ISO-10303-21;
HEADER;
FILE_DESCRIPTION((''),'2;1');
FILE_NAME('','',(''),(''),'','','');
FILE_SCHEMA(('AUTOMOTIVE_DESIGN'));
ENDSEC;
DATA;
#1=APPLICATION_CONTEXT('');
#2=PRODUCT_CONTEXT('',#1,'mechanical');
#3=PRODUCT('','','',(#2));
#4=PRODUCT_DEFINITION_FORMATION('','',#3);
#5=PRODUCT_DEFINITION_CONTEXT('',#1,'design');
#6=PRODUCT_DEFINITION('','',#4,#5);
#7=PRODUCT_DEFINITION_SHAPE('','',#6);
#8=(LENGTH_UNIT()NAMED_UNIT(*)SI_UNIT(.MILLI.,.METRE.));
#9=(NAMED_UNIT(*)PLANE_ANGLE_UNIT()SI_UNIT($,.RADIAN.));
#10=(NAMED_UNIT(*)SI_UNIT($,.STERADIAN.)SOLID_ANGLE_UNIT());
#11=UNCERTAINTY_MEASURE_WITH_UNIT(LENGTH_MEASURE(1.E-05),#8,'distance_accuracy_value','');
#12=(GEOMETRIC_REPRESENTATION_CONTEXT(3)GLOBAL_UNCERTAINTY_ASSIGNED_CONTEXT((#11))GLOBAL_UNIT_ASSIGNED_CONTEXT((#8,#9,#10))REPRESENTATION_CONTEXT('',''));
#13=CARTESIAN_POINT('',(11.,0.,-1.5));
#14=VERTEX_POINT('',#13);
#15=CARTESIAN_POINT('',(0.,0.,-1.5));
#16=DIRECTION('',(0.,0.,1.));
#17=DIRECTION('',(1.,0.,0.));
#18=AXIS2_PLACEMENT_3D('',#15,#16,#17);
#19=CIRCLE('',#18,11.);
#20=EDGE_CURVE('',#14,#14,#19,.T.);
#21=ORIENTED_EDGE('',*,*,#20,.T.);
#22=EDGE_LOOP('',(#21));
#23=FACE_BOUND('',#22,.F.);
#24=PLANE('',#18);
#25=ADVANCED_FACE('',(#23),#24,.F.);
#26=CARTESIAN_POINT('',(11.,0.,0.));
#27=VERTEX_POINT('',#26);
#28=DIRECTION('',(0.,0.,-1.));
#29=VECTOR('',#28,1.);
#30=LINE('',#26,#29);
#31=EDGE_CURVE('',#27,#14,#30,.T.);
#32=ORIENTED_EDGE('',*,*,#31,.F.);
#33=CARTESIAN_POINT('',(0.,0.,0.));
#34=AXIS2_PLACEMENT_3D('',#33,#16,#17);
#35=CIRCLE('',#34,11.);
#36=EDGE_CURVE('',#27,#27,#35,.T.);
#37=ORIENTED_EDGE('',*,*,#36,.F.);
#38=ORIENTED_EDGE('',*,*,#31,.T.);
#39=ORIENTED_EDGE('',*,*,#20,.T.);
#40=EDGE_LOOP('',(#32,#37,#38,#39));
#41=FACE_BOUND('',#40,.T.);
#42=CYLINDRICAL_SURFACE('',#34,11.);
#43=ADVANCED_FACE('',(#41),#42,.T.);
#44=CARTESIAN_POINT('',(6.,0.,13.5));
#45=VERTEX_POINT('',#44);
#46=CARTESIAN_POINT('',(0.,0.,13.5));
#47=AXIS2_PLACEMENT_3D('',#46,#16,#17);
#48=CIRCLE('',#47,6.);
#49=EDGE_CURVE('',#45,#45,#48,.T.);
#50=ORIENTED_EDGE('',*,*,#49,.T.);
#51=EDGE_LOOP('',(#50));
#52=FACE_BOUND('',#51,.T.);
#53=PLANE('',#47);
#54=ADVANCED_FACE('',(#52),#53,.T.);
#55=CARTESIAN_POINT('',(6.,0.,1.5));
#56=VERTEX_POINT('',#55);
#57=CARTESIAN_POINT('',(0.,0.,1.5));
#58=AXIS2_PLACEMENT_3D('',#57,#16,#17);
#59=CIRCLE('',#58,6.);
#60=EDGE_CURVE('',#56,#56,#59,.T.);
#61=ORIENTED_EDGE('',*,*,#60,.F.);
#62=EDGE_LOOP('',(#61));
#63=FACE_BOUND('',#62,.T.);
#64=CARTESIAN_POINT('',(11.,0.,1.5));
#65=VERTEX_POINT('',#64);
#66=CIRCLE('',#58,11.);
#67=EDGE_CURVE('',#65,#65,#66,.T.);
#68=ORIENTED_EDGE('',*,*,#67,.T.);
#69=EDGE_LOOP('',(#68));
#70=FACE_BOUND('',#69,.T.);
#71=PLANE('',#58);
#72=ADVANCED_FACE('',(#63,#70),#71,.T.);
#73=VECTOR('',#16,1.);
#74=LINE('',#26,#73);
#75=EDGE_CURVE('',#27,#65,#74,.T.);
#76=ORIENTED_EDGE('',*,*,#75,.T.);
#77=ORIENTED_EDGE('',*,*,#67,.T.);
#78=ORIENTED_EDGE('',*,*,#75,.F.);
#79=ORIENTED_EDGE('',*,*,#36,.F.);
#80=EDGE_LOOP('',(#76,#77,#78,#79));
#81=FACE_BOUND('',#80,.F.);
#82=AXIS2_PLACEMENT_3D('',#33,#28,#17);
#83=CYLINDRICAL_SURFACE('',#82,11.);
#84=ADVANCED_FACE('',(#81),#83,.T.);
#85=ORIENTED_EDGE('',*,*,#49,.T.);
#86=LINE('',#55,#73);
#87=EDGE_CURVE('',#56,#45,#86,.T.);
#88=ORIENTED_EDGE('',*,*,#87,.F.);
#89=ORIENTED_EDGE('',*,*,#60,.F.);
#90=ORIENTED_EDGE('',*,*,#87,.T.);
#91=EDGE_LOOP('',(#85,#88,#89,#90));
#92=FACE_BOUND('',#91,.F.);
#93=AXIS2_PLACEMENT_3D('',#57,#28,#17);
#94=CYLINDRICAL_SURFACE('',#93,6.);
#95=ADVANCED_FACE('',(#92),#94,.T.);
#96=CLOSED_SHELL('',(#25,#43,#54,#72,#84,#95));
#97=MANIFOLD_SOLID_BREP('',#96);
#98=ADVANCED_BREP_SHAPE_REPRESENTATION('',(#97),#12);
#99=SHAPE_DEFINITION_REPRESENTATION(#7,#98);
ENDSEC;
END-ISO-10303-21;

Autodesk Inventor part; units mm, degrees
ref_plane "YZ Plane" through (0, 0, 0) normal (1, 0, 0) x (0, 1, 0)
ref_plane "XZ Plane" through (0, 0, 0) normal (0, 1, 0) x (-1, 0, 0)
ref_plane "XY Plane" through (0, 0, 0) normal (0, 0, 1) x (1, 0, 0)
sketch "Esboço3" plane through (0, 0, 0) normal (0, 0, 1) x (1, 0, 0)
  circle A0 centre (0, 0) radius 11
  dimension "d6" = 22
extrude "Extrusão3" add sketch "Esboço3" along normal mid plane 3
sketch "Esboço4" plane through (0, 0, 1.5) normal (0, 0, 1) x (1, 0, 0)
  circle A0 centre (0, 0) radius 6
  dimension "d9" = 12
extrude "Extrusão4" add sketch "Esboço4" along normal blind 12
properties part number "Plug_Pistão"
